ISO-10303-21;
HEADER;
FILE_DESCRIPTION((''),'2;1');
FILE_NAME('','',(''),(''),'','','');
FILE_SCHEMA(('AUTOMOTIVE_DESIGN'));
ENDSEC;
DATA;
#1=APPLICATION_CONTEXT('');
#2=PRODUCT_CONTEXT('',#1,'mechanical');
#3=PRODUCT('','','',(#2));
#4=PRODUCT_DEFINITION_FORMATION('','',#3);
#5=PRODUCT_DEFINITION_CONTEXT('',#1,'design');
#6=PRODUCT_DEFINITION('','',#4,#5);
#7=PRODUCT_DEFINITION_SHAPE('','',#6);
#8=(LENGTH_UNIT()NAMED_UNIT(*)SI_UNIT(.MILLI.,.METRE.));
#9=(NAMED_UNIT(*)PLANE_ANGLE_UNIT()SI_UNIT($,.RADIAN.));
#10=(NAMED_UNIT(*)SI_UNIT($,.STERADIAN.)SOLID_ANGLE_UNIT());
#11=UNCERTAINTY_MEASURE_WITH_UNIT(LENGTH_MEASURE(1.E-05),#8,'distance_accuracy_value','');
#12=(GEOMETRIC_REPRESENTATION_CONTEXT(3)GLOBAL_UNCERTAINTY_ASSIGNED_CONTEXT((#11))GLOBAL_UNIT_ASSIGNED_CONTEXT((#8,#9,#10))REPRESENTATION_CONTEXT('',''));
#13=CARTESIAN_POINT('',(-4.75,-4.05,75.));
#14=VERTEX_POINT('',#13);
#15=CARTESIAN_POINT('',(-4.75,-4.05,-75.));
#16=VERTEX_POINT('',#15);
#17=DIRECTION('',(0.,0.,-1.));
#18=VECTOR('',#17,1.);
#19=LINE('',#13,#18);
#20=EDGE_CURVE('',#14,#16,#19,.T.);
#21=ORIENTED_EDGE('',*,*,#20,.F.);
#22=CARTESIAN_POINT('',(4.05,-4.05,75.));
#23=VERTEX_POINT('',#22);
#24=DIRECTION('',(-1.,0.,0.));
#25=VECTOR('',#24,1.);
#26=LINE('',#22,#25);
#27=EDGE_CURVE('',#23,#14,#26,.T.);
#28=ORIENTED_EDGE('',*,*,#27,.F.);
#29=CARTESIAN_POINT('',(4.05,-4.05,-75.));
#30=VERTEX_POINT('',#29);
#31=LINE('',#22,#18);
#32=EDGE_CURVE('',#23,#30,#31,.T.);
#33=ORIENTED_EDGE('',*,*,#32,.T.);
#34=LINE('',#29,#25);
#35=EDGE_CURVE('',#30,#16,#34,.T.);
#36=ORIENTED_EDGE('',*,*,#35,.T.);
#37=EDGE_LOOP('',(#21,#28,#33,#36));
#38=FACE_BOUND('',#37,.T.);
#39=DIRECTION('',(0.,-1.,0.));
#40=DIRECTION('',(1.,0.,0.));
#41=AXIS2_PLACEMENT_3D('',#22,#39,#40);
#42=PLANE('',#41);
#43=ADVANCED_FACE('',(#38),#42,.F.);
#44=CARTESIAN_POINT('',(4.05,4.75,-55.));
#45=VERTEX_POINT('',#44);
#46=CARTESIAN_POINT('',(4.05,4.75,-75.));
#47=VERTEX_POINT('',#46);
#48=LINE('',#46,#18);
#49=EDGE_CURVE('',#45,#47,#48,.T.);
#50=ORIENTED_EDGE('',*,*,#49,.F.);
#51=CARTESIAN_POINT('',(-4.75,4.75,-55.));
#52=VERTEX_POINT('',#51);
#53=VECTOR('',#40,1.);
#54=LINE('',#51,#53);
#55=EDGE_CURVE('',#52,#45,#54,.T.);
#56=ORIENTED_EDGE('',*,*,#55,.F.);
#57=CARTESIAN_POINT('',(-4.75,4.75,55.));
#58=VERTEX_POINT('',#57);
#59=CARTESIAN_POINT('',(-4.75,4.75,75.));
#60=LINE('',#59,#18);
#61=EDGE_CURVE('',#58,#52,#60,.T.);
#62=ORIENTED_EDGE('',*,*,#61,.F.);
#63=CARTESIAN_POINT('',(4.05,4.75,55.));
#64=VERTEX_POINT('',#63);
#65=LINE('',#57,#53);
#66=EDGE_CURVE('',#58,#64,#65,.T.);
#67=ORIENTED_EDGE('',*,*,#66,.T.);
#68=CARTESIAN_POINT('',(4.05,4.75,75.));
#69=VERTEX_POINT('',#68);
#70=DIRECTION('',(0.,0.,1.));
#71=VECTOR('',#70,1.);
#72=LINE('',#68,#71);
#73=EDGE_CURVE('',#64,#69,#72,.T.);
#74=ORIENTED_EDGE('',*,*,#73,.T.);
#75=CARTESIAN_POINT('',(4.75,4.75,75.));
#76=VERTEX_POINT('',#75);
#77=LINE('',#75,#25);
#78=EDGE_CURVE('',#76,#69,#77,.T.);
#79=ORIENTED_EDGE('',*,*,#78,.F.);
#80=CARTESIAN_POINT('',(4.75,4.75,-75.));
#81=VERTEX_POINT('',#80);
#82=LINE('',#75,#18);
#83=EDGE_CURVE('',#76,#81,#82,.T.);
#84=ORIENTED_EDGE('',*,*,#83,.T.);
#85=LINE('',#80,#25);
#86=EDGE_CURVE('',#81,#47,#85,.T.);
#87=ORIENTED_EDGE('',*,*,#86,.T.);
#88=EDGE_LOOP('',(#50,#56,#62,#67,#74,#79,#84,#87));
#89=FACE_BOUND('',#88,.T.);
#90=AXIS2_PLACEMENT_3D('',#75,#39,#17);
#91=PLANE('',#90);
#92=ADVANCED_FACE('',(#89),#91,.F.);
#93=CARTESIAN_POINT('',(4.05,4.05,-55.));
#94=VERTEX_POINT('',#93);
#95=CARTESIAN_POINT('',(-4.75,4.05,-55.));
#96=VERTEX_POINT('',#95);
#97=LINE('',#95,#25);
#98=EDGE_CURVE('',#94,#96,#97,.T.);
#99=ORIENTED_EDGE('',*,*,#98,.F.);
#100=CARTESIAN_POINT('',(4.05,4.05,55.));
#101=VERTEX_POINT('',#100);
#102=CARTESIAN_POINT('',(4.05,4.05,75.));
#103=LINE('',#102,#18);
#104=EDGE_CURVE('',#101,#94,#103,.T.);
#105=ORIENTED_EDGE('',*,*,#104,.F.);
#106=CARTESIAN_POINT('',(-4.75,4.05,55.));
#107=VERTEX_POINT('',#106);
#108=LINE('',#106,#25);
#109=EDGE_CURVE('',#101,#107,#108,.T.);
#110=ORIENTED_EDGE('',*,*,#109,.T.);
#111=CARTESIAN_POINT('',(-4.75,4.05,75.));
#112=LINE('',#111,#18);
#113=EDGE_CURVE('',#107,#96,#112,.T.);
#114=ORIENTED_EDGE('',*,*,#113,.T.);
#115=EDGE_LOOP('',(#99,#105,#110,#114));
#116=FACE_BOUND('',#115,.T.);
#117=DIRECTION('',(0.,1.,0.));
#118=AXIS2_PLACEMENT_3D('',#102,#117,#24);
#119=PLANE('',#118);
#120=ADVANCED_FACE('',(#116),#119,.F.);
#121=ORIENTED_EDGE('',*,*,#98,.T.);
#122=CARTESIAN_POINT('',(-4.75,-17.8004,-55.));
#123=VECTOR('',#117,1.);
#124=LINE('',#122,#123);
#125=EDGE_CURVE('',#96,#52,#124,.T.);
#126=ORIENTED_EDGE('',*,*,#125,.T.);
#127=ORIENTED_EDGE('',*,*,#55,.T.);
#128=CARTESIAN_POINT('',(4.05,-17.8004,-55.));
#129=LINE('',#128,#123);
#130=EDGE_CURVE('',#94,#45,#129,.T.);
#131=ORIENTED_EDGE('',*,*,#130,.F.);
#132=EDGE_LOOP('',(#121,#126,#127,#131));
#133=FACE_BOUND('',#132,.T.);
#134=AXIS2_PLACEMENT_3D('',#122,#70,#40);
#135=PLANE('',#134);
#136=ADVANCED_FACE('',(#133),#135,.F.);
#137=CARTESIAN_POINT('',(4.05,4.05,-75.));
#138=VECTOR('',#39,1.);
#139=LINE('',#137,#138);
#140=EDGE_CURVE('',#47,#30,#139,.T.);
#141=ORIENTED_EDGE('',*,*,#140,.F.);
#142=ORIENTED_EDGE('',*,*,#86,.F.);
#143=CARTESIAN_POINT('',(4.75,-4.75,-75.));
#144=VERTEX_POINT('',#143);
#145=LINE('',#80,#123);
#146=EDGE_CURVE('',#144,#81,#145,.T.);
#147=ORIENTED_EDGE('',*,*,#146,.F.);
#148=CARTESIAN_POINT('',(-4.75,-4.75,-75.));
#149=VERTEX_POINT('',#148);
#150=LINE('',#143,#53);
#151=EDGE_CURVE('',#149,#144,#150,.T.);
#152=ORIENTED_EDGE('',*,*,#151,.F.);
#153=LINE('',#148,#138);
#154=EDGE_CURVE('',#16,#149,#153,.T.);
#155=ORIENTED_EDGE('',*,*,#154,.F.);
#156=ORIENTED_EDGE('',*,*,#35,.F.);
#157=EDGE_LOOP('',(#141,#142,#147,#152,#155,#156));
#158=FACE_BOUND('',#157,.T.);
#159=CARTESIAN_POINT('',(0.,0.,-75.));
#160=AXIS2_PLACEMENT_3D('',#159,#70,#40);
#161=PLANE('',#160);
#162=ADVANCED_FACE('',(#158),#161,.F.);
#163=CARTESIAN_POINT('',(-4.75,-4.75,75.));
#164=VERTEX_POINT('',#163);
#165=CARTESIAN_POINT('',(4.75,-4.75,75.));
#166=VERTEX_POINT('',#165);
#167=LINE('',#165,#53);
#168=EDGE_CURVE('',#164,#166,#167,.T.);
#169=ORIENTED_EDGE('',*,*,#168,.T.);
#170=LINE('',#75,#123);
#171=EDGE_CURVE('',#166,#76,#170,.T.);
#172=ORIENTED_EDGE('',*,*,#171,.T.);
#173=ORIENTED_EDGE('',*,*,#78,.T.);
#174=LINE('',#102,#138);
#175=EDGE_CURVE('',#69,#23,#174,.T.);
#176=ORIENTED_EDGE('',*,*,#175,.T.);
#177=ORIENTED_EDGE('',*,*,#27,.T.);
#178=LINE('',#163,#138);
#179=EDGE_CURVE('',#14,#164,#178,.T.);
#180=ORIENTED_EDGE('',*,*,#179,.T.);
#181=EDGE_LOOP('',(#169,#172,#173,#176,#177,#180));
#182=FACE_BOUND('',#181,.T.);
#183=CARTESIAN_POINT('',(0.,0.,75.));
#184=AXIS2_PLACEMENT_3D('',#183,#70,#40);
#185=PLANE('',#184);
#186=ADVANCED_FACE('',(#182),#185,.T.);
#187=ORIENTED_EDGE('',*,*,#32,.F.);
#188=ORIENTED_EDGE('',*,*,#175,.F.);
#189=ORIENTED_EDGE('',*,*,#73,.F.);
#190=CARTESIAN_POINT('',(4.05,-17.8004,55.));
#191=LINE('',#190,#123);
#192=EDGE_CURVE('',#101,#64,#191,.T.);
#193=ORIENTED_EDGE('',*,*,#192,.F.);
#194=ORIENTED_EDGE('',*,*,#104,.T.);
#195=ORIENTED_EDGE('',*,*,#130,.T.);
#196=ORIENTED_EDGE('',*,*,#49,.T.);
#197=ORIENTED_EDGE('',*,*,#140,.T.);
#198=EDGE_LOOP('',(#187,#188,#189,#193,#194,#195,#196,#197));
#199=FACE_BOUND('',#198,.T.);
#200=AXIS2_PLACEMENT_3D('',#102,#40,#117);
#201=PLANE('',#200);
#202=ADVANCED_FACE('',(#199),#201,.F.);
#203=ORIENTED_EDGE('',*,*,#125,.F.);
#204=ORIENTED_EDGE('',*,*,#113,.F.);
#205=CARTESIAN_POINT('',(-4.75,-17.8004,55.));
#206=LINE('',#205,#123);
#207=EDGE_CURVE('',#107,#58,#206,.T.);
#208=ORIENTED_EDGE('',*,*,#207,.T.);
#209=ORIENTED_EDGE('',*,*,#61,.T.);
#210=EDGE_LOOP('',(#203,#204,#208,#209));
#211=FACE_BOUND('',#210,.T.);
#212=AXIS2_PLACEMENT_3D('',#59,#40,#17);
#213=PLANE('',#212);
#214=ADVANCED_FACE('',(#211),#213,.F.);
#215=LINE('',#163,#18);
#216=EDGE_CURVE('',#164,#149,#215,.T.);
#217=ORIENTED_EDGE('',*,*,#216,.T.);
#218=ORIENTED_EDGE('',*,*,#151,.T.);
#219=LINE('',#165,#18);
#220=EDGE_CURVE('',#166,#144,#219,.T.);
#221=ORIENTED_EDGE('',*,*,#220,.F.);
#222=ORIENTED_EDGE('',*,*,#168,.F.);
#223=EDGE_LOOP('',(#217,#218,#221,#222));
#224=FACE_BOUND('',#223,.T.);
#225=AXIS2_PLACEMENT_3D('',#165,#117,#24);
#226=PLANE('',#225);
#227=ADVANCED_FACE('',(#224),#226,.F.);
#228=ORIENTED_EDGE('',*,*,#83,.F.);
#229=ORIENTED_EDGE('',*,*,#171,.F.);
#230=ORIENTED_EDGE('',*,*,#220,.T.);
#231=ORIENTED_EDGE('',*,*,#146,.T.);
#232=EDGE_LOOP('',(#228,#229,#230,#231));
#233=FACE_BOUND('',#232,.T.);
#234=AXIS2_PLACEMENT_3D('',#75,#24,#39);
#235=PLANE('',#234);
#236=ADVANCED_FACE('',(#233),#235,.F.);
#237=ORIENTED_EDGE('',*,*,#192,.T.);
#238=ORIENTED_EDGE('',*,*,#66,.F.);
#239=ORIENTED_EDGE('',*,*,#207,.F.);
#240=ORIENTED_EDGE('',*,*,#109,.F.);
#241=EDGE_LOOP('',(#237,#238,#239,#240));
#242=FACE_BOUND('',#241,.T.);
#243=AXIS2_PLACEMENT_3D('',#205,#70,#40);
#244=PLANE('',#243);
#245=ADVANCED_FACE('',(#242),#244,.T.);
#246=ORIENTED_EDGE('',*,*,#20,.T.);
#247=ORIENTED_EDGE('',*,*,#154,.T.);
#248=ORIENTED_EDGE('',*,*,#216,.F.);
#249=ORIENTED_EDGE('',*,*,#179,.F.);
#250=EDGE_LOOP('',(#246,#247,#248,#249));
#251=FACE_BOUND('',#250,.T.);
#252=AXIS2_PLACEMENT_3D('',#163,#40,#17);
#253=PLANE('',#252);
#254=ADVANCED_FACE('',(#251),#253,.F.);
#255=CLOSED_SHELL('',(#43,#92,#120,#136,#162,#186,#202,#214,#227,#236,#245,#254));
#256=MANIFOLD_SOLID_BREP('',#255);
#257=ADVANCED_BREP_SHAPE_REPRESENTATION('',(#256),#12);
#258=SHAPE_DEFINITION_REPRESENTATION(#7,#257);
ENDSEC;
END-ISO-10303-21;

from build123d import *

# Parameters (mm, degrees)
BOSS_EXTRUDE1_DEPTH = 75
SKETCH2_W           = 8.8
SKETCH2_H           = 20
CUT_EXTRUDE1_DEPTH  = 0.7


with BuildPart() as part:
    # Sketch1 → Boss-Extrude1 (new body, symmetric)
    with BuildSketch(Plane.XY):
        Polygon((4.75, 4.75), (4.75, -4.75), (-4.75, -4.75), (-4.75, -4.05), (4.05, -4.05), (4.05, 4.05), (-4.75, 4.05), (-4.75, 4.75), align=None)
    extrude(amount=BOSS_EXTRUDE1_DEPTH, both=True)

    # Sketch2 → Cut-Extrude1 (cut)
    with BuildSketch(Plane(origin=(0, 4.75, 0), x_dir=(1, 0, 0), z_dir=(0, 1, 0))):
        with Locations((-0.35, 65)):
            Rectangle(SKETCH2_W, SKETCH2_H)
    cut_extrude1 = extrude(amount=-CUT_EXTRUDE1_DEPTH, mode=Mode.SUBTRACT)

    # Mirror1: Cut-Extrude1 across plane
    add(cut_extrude1.mirror(Plane.XY), mode=Mode.SUBTRACT)


solid = part.part
